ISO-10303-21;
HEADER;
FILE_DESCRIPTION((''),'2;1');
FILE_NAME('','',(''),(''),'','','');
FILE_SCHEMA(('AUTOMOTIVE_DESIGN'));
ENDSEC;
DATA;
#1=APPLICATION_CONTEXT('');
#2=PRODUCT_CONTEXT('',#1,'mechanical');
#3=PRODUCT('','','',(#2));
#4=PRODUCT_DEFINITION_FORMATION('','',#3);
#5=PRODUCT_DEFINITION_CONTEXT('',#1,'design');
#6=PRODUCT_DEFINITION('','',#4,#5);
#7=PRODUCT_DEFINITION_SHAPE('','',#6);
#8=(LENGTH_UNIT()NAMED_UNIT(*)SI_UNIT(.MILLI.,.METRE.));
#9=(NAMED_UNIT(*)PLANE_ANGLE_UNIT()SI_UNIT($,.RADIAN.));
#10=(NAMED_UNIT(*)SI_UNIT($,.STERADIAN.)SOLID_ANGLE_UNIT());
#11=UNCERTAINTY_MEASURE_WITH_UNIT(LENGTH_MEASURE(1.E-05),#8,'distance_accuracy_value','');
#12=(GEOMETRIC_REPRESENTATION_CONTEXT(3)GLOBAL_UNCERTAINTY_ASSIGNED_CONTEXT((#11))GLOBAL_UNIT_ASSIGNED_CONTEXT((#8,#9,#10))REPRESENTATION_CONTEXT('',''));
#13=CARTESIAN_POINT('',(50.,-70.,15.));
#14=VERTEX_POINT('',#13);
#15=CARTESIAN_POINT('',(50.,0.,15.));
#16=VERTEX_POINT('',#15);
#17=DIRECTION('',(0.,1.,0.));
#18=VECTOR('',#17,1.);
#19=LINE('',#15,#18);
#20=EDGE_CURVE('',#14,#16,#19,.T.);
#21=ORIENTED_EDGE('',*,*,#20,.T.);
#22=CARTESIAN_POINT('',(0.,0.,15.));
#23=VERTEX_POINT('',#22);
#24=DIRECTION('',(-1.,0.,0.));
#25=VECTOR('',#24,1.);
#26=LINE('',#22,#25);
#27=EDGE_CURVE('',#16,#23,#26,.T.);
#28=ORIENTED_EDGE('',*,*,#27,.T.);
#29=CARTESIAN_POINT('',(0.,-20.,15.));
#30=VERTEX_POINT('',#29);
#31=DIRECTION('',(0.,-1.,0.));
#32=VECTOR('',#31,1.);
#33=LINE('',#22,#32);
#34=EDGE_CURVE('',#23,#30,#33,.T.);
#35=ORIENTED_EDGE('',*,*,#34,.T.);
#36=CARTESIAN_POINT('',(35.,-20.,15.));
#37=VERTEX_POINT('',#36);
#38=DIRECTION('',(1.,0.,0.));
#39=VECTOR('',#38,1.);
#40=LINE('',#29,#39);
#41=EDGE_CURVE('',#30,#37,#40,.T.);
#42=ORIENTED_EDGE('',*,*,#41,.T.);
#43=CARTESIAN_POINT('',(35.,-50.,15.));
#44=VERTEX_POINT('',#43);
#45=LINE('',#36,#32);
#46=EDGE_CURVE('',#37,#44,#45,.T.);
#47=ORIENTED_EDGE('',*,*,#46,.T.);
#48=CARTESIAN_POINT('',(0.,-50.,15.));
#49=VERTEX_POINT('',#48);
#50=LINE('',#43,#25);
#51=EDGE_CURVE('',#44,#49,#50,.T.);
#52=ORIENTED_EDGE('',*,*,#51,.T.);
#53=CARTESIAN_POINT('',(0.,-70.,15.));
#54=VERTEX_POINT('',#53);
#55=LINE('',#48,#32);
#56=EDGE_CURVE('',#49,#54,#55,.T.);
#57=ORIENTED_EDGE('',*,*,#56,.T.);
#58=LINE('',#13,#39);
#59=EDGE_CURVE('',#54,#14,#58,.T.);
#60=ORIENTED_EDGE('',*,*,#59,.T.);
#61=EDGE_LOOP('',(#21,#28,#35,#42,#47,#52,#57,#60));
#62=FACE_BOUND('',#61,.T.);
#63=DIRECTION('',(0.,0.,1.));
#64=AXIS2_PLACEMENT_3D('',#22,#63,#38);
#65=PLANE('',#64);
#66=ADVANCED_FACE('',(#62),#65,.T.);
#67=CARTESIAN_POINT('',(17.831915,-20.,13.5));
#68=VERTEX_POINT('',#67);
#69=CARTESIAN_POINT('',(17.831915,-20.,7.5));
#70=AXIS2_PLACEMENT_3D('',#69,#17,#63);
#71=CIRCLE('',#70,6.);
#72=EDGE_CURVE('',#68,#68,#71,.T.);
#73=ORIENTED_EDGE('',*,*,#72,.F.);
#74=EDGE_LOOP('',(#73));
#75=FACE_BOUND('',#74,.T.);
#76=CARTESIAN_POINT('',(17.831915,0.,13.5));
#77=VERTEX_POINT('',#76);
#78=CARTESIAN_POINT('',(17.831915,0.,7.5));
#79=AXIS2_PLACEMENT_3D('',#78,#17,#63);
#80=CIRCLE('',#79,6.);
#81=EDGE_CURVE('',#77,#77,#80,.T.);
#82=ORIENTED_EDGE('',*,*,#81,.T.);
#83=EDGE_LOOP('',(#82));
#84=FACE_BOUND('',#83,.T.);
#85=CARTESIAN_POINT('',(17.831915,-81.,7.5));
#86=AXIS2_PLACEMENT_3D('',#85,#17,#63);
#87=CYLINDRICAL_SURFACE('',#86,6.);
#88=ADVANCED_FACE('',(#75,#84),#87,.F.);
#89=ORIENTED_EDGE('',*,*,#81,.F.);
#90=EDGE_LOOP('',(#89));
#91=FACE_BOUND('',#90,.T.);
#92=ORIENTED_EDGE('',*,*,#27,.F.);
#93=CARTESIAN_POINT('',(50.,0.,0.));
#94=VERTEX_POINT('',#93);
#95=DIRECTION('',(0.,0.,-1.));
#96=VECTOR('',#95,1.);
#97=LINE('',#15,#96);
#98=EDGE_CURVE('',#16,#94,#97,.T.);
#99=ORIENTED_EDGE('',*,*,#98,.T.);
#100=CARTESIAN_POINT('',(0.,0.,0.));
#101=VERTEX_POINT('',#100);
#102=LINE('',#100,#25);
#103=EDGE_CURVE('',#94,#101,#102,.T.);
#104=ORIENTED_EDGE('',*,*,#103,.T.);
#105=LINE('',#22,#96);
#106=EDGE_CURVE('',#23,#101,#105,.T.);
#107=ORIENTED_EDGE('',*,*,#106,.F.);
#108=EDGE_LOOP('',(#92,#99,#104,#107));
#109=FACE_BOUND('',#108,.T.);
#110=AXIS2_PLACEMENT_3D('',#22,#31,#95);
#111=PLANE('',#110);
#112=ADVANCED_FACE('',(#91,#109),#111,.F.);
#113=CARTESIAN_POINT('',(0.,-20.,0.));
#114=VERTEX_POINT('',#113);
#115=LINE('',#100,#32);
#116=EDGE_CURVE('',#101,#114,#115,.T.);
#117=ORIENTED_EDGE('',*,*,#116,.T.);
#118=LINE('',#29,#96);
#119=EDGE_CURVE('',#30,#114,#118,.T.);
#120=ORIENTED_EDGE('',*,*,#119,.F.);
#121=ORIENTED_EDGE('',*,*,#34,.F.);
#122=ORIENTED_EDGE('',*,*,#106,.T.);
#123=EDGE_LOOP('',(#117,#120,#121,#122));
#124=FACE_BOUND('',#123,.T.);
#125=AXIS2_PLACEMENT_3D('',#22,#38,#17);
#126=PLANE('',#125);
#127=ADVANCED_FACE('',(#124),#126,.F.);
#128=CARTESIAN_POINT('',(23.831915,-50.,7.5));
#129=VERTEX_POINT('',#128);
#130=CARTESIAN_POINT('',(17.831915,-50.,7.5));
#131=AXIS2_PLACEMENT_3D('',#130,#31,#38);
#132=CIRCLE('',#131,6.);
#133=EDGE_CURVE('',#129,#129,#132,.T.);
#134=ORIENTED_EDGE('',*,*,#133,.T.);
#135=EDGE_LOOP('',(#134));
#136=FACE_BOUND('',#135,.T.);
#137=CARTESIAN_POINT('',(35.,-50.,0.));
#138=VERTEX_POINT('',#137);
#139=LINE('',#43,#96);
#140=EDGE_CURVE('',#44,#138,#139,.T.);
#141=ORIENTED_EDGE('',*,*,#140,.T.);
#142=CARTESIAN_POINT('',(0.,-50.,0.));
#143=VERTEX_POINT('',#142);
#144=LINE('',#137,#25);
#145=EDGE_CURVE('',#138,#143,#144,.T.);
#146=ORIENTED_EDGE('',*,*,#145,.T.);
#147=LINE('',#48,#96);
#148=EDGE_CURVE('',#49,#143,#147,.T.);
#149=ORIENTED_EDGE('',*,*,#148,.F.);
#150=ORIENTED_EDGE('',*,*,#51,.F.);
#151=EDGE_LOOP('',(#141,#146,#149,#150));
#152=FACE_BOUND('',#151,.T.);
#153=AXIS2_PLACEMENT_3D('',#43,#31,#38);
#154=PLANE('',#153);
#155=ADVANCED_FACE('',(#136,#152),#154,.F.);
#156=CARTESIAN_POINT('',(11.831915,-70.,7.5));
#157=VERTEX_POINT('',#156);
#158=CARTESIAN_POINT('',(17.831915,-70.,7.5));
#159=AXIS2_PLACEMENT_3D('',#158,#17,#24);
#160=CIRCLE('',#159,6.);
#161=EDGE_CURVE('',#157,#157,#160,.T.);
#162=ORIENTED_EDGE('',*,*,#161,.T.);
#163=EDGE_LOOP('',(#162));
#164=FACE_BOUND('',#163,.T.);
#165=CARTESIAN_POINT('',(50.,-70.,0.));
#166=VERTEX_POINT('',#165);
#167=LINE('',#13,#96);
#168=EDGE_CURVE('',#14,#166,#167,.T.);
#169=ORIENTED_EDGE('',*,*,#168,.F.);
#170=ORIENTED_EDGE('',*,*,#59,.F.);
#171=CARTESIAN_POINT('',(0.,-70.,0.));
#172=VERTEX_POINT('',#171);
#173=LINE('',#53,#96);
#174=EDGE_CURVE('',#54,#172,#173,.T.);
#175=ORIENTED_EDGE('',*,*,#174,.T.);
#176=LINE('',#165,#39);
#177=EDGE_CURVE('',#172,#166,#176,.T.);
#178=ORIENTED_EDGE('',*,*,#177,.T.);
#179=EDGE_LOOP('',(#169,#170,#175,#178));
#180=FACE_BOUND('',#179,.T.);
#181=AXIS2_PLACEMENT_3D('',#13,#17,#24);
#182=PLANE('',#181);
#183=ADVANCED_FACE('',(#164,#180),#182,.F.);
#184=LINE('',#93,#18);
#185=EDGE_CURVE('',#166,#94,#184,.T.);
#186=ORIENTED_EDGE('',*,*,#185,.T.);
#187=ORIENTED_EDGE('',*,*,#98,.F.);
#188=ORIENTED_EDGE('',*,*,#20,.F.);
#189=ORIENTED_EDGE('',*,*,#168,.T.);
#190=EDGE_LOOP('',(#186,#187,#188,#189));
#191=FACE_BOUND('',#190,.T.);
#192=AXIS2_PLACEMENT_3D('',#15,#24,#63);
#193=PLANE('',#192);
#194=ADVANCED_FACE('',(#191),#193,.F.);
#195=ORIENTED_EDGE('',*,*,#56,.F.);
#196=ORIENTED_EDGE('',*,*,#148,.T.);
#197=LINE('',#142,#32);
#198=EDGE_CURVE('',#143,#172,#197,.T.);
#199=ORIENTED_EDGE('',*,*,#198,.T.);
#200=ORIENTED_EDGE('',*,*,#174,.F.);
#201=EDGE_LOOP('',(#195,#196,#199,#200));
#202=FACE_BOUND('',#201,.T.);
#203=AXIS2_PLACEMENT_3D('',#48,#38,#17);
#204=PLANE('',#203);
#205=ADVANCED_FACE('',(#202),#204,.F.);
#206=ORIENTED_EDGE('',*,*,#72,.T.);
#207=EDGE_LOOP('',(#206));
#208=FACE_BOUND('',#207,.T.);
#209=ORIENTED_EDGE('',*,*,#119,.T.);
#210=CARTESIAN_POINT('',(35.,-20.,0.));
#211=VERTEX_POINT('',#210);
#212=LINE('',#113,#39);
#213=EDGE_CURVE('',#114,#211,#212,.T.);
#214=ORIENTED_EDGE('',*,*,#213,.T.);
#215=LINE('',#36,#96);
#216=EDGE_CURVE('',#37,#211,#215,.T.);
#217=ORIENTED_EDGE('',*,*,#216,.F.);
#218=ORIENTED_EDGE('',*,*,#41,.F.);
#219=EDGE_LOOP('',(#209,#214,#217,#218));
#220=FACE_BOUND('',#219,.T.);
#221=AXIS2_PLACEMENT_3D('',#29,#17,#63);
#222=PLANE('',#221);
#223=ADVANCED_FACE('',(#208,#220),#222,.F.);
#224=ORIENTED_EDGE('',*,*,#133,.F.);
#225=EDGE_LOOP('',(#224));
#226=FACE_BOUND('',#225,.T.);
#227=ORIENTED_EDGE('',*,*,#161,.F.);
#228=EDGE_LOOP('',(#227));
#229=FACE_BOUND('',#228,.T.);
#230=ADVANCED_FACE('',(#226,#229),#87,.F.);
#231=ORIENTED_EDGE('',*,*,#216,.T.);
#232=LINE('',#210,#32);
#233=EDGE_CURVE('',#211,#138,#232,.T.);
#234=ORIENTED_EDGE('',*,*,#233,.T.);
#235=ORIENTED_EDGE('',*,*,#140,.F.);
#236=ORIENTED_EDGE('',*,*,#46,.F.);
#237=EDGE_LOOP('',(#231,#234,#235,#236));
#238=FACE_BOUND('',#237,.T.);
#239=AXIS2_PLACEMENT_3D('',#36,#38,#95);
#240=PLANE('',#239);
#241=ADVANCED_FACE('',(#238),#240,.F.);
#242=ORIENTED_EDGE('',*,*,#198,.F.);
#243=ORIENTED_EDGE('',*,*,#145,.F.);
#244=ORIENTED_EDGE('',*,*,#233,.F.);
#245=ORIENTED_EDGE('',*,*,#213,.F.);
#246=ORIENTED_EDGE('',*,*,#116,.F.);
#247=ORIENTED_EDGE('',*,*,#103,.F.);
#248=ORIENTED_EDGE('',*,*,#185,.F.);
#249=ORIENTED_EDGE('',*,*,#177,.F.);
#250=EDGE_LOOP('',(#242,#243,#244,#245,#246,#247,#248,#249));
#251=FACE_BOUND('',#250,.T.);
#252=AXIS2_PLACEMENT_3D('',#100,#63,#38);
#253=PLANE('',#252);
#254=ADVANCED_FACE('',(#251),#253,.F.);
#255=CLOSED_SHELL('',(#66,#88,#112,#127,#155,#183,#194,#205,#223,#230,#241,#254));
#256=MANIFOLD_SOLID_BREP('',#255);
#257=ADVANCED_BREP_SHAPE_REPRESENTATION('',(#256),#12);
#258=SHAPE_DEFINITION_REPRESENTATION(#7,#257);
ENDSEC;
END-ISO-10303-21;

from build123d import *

# Parameters (mm, degrees)
BOSS_EXTRUDE1_DEPTH = 15
SKETCH5_R           = 6
CUT_EXTRUDE1_DEPTH  = 81


with BuildPart() as part:
    # Sketch3 → Boss-Extrude1 (new body)
    with BuildSketch(Plane.XY):
        Polygon((0, 0), (50, 0), (50, -70), (0, -70), (0, -50), (35, -50), (35, -20), (0, -20), align=None)
    extrude(amount=BOSS_EXTRUDE1_DEPTH)

    # Sketch5 → Cut-Extrude1 (cut)
    with BuildSketch(Plane(origin=(0, 0, 0), x_dir=(1, 0, 0), z_dir=(0, 1, 0))):
        with Locations(Location((17.831915018, -7.5, 0), (0, 0, 270))):
            Circle(SKETCH5_R)
    extrude(amount=-CUT_EXTRUDE1_DEPTH, mode=Mode.SUBTRACT)


solid = part.part
